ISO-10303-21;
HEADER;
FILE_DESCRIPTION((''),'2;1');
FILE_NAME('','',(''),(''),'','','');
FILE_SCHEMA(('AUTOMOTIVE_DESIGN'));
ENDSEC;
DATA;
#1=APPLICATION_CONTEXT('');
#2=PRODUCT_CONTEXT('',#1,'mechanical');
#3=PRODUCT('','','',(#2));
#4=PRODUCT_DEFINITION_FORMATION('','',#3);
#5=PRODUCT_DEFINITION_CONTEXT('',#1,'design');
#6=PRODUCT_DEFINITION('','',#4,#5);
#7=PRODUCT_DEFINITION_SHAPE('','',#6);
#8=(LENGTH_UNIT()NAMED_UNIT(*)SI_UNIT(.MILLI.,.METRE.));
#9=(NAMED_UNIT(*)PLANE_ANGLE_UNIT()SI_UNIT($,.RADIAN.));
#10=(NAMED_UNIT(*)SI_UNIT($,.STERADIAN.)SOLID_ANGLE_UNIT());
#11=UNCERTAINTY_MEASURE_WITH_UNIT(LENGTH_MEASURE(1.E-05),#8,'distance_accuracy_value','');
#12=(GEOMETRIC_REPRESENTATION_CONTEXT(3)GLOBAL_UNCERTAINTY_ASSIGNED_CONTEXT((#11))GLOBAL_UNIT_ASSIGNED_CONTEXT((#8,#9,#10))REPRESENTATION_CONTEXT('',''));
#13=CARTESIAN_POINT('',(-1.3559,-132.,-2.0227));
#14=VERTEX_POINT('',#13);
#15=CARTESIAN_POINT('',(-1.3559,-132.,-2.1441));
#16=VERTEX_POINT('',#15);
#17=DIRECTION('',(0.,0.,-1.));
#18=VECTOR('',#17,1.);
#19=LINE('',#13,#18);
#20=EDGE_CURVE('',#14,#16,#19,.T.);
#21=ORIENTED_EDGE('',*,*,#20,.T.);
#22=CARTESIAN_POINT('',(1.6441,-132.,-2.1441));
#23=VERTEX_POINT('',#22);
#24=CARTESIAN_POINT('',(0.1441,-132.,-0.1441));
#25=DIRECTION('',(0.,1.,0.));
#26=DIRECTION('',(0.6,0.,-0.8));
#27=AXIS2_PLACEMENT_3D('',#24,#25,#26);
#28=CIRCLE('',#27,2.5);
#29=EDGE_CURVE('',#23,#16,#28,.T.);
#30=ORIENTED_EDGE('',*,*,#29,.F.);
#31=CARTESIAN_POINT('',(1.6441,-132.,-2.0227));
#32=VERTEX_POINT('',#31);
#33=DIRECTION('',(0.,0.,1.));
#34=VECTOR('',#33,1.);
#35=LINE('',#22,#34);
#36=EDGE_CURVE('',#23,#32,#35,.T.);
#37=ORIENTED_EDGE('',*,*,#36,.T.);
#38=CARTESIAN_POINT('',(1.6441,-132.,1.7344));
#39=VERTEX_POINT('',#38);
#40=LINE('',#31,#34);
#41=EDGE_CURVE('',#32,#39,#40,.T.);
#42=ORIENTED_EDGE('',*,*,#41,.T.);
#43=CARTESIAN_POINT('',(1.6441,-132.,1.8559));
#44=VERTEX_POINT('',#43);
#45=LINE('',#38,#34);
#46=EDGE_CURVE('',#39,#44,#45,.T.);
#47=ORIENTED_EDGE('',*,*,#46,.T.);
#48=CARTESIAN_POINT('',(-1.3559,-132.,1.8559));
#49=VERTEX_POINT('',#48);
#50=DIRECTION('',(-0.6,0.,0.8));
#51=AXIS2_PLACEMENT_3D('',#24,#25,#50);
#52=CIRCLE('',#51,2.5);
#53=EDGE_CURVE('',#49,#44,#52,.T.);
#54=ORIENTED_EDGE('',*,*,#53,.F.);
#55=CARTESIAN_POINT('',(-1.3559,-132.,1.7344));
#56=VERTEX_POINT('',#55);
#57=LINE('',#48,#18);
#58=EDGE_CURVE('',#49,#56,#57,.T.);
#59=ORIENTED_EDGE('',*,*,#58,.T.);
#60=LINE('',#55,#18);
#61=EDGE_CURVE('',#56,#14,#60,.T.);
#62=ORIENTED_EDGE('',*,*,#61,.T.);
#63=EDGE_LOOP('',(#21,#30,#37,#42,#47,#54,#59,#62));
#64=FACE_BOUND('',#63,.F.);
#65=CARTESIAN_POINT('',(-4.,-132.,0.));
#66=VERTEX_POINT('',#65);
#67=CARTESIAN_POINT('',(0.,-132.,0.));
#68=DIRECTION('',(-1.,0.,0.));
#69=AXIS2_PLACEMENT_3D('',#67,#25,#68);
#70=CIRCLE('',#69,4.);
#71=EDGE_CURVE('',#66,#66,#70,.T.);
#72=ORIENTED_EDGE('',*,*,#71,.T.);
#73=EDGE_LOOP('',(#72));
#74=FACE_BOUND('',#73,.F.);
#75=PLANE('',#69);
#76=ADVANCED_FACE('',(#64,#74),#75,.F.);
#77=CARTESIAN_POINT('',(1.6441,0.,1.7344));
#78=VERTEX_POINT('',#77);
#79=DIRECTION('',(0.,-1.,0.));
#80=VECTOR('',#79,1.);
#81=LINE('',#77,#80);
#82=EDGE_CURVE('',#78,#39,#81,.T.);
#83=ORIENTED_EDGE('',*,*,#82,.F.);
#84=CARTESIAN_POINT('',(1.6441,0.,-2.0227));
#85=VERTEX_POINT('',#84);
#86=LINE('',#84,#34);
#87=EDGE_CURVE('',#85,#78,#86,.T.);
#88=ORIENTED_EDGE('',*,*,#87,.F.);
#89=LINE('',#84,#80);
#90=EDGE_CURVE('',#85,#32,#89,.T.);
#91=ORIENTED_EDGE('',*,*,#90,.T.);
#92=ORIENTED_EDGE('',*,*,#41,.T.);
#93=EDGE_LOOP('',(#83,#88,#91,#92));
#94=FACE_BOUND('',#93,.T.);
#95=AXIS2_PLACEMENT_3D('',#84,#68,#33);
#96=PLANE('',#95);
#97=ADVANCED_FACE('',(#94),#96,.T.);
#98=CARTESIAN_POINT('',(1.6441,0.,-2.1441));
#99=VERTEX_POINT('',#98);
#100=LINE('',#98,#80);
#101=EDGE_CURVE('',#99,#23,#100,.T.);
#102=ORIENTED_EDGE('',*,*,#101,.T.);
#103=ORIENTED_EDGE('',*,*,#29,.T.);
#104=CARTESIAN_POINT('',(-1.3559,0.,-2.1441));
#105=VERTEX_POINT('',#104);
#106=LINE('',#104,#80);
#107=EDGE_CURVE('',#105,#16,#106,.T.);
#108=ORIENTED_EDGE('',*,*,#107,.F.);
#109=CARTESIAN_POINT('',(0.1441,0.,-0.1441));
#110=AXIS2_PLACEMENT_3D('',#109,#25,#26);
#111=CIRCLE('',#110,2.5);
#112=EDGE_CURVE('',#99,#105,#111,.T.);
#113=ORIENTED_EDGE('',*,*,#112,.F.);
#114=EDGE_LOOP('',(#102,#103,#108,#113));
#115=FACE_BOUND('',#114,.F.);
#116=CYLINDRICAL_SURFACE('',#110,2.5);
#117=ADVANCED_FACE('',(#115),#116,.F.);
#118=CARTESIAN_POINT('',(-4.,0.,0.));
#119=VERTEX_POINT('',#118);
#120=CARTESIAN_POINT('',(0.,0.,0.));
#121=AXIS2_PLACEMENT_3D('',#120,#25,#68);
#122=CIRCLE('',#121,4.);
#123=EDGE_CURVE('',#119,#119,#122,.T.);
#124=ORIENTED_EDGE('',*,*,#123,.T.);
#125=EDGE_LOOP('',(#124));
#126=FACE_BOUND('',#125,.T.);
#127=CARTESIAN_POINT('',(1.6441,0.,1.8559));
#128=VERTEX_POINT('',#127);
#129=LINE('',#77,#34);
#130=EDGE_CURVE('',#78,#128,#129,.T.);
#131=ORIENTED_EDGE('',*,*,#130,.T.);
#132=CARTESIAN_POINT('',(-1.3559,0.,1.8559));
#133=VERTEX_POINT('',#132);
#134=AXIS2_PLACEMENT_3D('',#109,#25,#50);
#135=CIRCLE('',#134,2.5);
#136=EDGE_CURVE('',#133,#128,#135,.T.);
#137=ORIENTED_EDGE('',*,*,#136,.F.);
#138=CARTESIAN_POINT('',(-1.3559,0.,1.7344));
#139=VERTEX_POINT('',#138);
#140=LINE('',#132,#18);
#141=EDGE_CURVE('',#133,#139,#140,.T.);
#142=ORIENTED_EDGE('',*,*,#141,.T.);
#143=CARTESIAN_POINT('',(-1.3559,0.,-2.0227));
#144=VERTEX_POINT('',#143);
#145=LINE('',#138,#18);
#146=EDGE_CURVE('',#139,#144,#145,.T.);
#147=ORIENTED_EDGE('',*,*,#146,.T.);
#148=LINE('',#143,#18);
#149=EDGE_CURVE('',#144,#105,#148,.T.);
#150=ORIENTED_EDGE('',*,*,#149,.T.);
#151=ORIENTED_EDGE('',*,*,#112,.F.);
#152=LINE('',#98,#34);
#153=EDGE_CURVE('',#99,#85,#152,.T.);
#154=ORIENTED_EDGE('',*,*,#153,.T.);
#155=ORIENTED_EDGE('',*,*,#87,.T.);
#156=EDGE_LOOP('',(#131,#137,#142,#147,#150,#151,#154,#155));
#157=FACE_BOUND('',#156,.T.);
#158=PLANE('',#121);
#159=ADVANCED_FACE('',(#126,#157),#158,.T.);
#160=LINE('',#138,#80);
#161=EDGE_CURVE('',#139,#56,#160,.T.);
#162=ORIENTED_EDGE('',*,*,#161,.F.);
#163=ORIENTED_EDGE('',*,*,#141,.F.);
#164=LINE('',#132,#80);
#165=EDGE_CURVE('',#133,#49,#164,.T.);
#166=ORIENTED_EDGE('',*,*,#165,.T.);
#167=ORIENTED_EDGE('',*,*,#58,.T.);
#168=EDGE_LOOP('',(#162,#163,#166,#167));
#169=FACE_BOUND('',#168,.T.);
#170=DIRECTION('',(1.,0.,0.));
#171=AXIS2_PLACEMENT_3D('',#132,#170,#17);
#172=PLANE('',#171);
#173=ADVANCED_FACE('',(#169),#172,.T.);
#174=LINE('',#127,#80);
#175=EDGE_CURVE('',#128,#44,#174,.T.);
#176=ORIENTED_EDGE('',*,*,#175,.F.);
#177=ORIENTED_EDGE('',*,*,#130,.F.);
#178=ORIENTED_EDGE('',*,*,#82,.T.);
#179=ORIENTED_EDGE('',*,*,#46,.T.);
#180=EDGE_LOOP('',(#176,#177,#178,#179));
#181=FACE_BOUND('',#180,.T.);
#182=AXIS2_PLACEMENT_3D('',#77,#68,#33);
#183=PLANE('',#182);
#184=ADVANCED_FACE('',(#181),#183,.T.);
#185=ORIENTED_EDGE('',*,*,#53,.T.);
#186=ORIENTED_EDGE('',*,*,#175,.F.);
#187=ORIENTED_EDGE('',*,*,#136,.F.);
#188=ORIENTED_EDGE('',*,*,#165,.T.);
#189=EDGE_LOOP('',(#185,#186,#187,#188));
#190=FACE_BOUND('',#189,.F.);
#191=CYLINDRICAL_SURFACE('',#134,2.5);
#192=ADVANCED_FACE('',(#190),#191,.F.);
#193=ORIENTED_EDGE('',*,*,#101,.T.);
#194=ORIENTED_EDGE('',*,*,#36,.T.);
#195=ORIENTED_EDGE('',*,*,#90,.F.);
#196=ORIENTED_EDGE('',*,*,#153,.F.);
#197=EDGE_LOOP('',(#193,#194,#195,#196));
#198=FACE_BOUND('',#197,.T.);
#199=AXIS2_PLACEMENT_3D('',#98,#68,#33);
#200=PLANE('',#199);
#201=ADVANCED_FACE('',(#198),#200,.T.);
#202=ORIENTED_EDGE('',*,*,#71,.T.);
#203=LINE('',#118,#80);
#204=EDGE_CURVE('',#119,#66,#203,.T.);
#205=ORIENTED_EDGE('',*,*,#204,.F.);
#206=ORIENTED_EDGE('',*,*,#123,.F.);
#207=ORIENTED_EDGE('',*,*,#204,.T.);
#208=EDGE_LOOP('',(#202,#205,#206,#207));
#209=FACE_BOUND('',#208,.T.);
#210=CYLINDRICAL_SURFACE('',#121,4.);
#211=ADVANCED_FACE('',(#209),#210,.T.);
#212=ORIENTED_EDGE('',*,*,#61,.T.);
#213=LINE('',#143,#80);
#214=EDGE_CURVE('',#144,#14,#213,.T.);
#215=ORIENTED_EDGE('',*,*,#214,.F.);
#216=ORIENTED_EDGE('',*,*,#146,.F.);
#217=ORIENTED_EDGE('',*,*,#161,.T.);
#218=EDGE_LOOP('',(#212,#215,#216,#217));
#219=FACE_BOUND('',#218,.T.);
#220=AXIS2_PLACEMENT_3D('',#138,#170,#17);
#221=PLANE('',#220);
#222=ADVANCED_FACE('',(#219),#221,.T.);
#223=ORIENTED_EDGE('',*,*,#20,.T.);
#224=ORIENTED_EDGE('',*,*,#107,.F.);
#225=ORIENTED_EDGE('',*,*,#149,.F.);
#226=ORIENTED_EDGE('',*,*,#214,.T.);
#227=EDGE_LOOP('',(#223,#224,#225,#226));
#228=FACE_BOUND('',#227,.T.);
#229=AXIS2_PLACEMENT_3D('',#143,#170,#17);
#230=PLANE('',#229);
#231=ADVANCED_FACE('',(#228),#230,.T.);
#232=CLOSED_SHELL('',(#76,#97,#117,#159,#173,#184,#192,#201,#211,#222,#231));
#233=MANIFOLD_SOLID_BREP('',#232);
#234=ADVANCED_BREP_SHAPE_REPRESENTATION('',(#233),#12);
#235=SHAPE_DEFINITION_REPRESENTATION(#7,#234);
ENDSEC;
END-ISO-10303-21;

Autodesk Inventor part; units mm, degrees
ref_plane "YZ Plane" through (0, 0, 0) normal (1, 0, 0) x (0, 1, 0)
ref_plane "XZ Plane" through (0, 0, 0) normal (0, 1, 0) x (-1, 0, 0)
ref_plane "XY Plane" through (0, 0, 0) normal (0, 0, 1) x (1, 0, 0)
sketch "Sketch1" plane through (0, 0, 0) normal (0, 1, 0) x (-1, 0, 0)
  circle A0 centre (0, 0) radius 4
  arc A1 (1.3559, 1.8559) -> (-1.6441, 1.8559) centre (-0.1441, -0.1441) ccw
  arc A2 (-1.6441, -2.1441) -> (1.3559, -2.1441) centre (-0.1441, -0.1441) ccw
  line L0 (1.3559, 1.7344) -> (1.3559, -2.0227)
  line L1 (-1.6441, -2.0227) -> (-1.6441, 1.7344)
  line L2 (-1.6441, 1.7344) -> (-1.6441, 1.8559)
  line L3 (-1.6441, -2.1441) -> (-1.6441, -2.0227)
  line L4 (1.3559, -2.0227) -> (1.3559, -2.1441)
  line L5 (1.3559, 1.8559) -> (1.3559, 1.7344)
  dimension "d0" = 8
extrude "Extrusion1" add sketch "Sketch1" against normal blind 132
thread "Thread1" size "M8x1.25" class "6g" standard "ANSI Metric M Profile" full length
properties part number "leadscrewaxle"
